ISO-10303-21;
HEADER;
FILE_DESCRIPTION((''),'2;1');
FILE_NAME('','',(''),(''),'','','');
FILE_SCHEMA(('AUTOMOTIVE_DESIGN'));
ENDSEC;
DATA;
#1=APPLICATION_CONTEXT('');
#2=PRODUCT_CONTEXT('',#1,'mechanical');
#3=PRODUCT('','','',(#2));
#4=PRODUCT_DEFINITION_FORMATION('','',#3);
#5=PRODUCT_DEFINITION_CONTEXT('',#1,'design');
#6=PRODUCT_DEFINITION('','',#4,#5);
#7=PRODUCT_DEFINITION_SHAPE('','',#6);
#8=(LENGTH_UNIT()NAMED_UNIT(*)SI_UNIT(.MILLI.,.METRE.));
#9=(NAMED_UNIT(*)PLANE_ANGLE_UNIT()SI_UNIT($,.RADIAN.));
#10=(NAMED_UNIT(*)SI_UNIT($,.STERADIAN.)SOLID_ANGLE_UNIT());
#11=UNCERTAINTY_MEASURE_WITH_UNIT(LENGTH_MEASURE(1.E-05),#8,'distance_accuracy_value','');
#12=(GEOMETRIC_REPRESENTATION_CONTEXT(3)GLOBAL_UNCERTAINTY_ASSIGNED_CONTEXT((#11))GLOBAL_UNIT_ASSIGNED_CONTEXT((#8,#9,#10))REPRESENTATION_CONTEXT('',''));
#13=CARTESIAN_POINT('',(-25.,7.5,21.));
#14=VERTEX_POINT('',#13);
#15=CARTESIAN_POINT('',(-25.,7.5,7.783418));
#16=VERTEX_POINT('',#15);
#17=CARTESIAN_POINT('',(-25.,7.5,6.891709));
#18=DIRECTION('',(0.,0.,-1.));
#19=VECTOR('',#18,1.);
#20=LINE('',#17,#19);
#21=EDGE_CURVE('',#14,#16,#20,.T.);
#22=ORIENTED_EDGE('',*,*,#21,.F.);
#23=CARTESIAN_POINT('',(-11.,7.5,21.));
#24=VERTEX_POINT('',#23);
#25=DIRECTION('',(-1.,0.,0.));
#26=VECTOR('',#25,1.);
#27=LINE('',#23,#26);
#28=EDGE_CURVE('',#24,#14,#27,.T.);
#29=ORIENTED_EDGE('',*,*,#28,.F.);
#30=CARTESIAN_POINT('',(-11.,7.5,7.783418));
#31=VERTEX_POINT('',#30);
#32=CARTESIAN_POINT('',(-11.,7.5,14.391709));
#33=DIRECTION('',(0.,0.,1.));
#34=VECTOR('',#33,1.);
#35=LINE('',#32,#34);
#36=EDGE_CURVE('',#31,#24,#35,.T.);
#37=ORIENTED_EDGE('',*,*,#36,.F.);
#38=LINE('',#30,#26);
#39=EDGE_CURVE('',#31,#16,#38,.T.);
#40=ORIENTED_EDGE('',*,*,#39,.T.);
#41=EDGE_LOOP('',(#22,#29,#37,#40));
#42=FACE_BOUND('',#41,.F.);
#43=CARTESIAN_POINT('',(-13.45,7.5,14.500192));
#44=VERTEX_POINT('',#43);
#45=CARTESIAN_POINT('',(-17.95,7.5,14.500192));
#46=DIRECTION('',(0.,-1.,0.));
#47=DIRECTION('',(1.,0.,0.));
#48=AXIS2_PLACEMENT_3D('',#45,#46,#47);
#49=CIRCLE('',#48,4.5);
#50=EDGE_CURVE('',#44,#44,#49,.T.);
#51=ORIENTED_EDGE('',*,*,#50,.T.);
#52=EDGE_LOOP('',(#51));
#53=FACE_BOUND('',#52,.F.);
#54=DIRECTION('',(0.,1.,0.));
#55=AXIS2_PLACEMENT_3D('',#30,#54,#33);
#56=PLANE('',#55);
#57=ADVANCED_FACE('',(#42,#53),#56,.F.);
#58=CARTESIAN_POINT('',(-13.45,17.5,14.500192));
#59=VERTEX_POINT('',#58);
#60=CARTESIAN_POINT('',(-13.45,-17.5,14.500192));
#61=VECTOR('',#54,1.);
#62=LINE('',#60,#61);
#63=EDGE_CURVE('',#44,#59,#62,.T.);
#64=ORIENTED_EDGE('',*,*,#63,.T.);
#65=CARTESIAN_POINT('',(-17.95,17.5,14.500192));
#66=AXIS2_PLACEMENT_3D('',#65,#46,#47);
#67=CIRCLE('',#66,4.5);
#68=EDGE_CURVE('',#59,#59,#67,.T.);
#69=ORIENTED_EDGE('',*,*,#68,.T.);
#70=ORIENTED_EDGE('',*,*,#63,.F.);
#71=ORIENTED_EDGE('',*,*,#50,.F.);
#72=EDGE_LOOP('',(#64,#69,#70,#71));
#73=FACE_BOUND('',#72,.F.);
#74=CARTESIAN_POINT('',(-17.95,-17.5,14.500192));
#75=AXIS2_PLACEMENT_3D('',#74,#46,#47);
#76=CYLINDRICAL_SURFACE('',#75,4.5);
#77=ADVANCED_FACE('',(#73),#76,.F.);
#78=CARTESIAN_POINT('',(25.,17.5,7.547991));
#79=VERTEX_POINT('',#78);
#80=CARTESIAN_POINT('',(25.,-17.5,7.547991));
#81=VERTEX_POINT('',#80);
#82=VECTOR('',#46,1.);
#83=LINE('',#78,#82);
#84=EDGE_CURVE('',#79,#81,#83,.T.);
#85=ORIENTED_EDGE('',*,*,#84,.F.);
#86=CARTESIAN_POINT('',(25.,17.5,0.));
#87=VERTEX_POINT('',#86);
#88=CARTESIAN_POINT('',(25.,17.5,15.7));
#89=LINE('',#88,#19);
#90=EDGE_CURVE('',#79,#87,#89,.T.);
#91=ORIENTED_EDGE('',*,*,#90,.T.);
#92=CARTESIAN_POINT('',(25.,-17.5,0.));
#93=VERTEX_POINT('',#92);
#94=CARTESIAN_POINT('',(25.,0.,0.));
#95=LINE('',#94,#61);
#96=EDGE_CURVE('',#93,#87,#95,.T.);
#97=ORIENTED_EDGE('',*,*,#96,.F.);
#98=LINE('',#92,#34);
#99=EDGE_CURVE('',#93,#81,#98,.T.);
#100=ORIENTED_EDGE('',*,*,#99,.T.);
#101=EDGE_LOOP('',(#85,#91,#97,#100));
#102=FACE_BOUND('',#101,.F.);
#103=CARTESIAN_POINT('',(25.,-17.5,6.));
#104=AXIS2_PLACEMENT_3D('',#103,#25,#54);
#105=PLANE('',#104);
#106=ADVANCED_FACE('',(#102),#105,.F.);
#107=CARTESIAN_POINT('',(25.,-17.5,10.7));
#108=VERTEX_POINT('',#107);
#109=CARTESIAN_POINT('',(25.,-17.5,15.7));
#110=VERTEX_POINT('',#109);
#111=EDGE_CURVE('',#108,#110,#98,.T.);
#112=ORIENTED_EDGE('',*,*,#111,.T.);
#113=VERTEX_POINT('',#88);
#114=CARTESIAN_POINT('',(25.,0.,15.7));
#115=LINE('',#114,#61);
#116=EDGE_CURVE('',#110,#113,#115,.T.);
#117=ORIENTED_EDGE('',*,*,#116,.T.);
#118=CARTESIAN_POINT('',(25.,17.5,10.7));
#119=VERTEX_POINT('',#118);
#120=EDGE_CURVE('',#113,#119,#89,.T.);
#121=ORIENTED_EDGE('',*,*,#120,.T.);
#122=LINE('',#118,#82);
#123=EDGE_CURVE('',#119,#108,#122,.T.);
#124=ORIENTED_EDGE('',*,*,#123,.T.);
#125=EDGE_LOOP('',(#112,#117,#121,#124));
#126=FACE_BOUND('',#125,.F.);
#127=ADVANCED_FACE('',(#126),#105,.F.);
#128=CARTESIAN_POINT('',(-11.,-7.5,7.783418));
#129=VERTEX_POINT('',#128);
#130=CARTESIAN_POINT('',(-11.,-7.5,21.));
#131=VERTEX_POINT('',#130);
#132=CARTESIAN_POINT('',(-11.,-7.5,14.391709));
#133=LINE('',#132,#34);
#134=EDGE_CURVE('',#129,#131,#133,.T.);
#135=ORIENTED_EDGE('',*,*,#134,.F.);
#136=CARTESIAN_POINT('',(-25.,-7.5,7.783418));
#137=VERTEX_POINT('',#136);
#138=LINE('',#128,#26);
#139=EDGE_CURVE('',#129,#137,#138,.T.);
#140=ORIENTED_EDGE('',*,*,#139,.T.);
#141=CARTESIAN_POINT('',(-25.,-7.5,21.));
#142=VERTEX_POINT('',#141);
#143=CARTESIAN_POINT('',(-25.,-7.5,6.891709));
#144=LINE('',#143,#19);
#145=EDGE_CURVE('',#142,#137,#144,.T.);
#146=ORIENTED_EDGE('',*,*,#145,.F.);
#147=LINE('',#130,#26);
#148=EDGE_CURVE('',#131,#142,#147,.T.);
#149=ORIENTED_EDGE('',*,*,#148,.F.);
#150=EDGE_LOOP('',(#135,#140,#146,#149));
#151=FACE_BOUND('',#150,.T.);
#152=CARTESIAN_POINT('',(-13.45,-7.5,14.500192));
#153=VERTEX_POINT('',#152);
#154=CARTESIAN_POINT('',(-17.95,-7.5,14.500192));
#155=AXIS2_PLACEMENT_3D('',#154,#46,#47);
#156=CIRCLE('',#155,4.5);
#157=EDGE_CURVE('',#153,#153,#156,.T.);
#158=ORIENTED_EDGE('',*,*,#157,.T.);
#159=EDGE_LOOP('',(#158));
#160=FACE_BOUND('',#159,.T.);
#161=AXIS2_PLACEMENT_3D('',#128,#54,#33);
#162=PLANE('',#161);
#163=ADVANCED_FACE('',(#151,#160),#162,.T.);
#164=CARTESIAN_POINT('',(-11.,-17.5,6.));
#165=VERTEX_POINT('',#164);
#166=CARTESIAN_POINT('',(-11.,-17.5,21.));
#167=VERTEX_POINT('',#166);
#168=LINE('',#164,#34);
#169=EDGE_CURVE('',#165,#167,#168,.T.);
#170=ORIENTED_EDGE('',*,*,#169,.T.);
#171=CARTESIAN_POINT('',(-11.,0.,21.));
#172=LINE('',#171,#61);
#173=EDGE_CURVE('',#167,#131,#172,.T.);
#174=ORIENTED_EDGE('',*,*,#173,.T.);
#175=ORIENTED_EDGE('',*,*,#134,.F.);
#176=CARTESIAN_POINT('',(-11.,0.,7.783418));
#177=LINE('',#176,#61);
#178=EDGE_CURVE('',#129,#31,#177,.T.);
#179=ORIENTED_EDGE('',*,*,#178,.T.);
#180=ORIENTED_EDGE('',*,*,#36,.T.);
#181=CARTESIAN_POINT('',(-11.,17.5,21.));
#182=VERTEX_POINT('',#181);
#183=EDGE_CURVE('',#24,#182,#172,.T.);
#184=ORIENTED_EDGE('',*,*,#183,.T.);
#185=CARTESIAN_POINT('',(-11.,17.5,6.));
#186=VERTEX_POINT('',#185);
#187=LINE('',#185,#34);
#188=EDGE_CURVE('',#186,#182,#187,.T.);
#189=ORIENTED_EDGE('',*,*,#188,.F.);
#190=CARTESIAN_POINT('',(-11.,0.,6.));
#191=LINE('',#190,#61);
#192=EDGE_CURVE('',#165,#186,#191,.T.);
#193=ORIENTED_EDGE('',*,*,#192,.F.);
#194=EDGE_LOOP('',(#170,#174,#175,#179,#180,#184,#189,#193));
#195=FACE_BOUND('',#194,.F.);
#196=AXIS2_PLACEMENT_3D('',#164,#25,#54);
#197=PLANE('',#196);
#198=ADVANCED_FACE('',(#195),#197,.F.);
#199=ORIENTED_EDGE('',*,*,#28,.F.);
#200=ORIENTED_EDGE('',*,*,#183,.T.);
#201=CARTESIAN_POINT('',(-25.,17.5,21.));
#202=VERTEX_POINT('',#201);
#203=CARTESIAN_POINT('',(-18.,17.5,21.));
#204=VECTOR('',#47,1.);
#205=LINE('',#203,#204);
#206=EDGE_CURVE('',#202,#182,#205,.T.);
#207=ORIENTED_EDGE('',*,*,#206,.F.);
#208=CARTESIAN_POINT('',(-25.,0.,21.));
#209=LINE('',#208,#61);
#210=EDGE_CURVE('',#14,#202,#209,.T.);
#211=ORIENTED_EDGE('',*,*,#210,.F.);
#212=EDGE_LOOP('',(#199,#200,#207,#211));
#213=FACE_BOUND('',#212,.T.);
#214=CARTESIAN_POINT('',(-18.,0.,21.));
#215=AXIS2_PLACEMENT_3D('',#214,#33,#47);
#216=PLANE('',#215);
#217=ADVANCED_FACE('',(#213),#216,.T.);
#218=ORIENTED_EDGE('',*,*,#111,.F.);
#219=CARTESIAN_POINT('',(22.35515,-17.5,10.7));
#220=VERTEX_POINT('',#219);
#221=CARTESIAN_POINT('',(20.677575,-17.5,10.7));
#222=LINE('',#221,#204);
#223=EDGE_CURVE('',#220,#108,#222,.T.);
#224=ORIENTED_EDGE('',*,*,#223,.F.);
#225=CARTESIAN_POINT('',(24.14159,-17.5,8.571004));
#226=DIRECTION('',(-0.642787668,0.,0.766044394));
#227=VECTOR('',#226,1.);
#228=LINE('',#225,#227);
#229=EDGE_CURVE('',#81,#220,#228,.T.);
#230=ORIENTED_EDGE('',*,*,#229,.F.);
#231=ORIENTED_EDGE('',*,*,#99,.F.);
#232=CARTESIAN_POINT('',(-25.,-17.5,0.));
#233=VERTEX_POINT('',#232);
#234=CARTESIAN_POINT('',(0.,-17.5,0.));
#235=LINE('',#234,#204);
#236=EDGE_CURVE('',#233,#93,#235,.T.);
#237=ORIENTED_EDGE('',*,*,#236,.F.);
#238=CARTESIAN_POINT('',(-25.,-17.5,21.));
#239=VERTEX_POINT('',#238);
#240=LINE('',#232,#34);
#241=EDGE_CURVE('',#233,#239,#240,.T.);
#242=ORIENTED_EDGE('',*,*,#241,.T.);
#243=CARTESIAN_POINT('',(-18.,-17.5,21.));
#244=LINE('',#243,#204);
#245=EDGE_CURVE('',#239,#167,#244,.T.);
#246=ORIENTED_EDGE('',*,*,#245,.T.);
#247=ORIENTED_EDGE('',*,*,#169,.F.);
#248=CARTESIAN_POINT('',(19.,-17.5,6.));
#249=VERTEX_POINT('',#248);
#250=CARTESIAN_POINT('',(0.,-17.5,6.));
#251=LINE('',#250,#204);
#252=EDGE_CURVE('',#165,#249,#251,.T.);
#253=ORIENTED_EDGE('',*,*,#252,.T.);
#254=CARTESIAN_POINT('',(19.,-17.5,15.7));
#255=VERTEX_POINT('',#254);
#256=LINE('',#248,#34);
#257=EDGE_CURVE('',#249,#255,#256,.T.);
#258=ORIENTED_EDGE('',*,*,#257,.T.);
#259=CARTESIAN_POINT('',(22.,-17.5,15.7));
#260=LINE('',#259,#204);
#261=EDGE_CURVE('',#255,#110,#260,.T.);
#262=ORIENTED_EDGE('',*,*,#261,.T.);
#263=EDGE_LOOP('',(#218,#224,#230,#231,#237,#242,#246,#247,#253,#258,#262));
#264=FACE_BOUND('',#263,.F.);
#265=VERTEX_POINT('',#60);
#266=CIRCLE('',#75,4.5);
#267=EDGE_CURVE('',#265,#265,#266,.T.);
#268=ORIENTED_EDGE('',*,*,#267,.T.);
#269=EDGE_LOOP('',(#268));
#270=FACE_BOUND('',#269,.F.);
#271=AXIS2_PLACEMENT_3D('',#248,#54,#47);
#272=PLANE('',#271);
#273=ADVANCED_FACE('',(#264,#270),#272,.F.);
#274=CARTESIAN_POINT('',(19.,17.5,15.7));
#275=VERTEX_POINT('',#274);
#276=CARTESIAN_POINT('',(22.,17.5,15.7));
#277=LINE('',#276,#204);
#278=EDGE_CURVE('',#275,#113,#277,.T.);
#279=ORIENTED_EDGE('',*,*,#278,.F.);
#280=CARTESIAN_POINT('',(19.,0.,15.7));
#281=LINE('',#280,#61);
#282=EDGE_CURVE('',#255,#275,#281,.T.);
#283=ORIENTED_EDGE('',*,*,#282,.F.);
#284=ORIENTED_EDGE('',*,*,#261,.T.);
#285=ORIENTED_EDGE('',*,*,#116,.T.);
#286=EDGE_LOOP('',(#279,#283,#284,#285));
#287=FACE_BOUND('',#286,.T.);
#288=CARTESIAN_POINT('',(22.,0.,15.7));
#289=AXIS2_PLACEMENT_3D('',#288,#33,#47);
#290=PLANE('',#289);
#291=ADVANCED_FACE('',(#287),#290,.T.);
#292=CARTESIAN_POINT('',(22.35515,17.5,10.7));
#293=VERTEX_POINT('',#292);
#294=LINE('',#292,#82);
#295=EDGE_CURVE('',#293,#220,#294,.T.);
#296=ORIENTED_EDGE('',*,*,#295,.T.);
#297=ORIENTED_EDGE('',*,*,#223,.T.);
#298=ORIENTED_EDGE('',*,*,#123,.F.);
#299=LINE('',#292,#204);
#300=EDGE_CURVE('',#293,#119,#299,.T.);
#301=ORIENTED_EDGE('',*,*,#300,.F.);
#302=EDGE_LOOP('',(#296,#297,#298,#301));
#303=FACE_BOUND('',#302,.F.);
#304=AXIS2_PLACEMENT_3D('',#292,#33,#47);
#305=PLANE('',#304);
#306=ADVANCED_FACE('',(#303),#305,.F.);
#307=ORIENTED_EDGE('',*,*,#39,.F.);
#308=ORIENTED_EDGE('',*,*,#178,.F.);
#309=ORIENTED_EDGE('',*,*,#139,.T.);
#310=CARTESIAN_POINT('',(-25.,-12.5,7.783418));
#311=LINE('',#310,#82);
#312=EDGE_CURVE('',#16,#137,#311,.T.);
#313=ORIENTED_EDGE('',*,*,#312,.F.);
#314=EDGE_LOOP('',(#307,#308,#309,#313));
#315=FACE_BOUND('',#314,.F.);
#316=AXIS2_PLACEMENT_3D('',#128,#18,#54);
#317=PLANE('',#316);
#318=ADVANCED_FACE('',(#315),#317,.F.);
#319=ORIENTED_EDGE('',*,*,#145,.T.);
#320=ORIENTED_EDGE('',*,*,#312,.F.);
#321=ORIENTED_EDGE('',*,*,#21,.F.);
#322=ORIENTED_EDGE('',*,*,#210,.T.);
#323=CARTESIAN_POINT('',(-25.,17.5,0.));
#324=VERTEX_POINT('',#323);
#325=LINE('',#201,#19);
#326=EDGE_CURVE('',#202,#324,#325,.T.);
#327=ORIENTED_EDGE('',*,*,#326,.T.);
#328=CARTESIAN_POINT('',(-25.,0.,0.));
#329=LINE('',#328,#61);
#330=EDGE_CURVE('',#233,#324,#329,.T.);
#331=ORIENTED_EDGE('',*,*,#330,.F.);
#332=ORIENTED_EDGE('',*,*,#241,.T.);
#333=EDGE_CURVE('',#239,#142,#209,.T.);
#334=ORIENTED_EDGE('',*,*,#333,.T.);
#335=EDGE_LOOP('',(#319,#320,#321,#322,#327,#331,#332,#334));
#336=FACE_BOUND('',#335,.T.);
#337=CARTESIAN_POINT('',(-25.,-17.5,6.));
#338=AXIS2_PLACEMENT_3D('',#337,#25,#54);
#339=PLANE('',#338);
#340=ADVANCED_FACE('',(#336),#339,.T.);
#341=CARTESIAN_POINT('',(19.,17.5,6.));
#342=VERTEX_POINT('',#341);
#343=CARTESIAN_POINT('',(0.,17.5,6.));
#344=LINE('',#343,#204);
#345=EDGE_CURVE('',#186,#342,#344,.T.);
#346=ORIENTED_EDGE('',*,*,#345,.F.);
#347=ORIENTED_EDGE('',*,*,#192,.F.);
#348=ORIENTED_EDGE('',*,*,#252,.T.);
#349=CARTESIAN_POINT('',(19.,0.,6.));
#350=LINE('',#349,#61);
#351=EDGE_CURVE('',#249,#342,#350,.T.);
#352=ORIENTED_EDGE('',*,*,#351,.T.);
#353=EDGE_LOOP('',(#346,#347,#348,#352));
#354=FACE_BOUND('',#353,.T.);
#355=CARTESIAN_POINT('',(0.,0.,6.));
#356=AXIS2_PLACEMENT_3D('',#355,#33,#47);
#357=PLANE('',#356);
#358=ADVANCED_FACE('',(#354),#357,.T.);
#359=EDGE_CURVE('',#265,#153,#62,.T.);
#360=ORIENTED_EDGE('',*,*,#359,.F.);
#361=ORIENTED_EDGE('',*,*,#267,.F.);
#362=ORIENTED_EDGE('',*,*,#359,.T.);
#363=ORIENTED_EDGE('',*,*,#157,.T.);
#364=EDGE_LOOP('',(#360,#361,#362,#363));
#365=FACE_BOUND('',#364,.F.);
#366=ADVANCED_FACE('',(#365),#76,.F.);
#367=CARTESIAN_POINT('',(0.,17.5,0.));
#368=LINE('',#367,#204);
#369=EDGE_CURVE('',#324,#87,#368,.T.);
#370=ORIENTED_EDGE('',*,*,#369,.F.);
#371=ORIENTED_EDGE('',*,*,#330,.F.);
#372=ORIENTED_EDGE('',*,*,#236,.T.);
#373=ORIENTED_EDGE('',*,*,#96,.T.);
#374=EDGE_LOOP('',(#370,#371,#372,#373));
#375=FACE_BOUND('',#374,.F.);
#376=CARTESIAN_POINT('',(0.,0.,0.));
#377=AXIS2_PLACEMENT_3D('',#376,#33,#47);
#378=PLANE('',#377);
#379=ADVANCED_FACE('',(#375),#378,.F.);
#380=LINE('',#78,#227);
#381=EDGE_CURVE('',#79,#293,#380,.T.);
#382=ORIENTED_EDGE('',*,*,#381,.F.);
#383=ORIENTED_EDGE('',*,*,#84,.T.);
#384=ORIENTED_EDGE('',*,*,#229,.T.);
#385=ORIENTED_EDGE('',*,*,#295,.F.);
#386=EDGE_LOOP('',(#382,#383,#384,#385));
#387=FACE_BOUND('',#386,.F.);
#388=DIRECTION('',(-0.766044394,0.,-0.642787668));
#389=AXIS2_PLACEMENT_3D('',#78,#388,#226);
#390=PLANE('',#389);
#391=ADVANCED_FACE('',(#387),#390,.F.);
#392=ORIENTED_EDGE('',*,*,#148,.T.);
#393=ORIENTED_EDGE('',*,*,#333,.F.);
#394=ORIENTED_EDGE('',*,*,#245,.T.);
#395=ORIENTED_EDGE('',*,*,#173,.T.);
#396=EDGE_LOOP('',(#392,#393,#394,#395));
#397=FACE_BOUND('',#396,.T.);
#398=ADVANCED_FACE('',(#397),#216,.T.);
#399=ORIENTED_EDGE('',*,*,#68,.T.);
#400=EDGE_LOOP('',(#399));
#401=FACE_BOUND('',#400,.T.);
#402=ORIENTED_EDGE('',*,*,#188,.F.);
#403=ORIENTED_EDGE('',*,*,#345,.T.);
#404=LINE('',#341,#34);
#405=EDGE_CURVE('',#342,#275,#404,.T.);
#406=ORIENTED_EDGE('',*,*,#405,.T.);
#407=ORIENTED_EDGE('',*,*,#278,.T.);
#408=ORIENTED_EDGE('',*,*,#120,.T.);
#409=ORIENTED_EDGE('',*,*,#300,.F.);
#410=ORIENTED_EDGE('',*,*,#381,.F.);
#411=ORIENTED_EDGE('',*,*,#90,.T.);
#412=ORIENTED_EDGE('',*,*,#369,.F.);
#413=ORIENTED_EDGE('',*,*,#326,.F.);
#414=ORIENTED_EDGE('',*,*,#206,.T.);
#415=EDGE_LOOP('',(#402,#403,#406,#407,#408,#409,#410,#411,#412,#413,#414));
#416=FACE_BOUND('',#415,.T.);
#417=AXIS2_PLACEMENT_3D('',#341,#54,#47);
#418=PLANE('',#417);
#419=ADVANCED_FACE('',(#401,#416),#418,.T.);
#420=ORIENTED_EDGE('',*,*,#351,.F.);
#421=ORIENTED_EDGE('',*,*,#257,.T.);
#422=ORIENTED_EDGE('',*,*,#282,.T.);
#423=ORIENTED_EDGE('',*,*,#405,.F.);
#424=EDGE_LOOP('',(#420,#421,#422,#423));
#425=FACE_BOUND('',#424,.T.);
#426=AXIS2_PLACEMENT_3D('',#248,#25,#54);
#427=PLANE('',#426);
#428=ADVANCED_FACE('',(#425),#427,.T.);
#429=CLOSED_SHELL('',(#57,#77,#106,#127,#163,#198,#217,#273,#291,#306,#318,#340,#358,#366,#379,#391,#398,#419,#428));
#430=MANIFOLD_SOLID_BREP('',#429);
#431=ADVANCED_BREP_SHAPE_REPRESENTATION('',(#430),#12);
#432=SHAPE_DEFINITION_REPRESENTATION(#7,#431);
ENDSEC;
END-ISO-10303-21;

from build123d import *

# Parameters (mm, degrees)
F0_W      = 50
F0_H      = 35
F1_DEPTH  = 6
F2_W      = 14
F2_H      = 35
F3_DEPTH  = 15
F4_W      = 15
F4_H      = 13.216582
F5_DEPTH  = 25
F6_R      = 4.5
F7_DEPTH  = 41.5
F8_W      = 6
F8_H      = 35
F9_DEPTH  = 9.7
F11_DEPTH = 36.8


with BuildPart() as f1:
    # F0 (on Top) → F1 (new body)
    with BuildSketch(Plane.XY):
        Rectangle(F0_W, F0_H)
    extrude(amount=F1_DEPTH)

    # F2 (on face) → F3 (join)
    with BuildSketch(Plane.XY.offset(6)):
        with Locations((-18, 0)):
            Rectangle(F2_W, F2_H)
    extrude(amount=F3_DEPTH)

    # F4 (on face) → F5 (cut)
    with BuildSketch(Plane.YZ.offset(-11)):
        with Locations((0, 14.391709)):
            Rectangle(F4_W, F4_H)
    extrude(amount=-F5_DEPTH, mode=Mode.SUBTRACT)

    # F6 (on face) → F7 (cut)
    with BuildSketch(Plane.XZ.offset(17.5)):
        with Locations((-17.95, 14.500192)):
            Circle(F6_R)
    extrude(amount=-F7_DEPTH, mode=Mode.SUBTRACT)

    # F8 (on face) → F9 (join)
    with BuildSketch(Plane.XY.offset(6)):
        with Locations((22, 0)):
            Rectangle(F8_W, F8_H)
    extrude(amount=F9_DEPTH)

    # F10 (on face) → F11 (cut)
    with BuildSketch(Plane(origin=(0, 17.5, 0), x_dir=(-1, 0, 0), z_dir=(0, 1, 0))):
        Polygon((-22.35515, 10.7), (-25, 10.7), (-25, 7.547991), align=None)
    extrude(amount=-F11_DEPTH, mode=Mode.SUBTRACT)


solid = f1.part
